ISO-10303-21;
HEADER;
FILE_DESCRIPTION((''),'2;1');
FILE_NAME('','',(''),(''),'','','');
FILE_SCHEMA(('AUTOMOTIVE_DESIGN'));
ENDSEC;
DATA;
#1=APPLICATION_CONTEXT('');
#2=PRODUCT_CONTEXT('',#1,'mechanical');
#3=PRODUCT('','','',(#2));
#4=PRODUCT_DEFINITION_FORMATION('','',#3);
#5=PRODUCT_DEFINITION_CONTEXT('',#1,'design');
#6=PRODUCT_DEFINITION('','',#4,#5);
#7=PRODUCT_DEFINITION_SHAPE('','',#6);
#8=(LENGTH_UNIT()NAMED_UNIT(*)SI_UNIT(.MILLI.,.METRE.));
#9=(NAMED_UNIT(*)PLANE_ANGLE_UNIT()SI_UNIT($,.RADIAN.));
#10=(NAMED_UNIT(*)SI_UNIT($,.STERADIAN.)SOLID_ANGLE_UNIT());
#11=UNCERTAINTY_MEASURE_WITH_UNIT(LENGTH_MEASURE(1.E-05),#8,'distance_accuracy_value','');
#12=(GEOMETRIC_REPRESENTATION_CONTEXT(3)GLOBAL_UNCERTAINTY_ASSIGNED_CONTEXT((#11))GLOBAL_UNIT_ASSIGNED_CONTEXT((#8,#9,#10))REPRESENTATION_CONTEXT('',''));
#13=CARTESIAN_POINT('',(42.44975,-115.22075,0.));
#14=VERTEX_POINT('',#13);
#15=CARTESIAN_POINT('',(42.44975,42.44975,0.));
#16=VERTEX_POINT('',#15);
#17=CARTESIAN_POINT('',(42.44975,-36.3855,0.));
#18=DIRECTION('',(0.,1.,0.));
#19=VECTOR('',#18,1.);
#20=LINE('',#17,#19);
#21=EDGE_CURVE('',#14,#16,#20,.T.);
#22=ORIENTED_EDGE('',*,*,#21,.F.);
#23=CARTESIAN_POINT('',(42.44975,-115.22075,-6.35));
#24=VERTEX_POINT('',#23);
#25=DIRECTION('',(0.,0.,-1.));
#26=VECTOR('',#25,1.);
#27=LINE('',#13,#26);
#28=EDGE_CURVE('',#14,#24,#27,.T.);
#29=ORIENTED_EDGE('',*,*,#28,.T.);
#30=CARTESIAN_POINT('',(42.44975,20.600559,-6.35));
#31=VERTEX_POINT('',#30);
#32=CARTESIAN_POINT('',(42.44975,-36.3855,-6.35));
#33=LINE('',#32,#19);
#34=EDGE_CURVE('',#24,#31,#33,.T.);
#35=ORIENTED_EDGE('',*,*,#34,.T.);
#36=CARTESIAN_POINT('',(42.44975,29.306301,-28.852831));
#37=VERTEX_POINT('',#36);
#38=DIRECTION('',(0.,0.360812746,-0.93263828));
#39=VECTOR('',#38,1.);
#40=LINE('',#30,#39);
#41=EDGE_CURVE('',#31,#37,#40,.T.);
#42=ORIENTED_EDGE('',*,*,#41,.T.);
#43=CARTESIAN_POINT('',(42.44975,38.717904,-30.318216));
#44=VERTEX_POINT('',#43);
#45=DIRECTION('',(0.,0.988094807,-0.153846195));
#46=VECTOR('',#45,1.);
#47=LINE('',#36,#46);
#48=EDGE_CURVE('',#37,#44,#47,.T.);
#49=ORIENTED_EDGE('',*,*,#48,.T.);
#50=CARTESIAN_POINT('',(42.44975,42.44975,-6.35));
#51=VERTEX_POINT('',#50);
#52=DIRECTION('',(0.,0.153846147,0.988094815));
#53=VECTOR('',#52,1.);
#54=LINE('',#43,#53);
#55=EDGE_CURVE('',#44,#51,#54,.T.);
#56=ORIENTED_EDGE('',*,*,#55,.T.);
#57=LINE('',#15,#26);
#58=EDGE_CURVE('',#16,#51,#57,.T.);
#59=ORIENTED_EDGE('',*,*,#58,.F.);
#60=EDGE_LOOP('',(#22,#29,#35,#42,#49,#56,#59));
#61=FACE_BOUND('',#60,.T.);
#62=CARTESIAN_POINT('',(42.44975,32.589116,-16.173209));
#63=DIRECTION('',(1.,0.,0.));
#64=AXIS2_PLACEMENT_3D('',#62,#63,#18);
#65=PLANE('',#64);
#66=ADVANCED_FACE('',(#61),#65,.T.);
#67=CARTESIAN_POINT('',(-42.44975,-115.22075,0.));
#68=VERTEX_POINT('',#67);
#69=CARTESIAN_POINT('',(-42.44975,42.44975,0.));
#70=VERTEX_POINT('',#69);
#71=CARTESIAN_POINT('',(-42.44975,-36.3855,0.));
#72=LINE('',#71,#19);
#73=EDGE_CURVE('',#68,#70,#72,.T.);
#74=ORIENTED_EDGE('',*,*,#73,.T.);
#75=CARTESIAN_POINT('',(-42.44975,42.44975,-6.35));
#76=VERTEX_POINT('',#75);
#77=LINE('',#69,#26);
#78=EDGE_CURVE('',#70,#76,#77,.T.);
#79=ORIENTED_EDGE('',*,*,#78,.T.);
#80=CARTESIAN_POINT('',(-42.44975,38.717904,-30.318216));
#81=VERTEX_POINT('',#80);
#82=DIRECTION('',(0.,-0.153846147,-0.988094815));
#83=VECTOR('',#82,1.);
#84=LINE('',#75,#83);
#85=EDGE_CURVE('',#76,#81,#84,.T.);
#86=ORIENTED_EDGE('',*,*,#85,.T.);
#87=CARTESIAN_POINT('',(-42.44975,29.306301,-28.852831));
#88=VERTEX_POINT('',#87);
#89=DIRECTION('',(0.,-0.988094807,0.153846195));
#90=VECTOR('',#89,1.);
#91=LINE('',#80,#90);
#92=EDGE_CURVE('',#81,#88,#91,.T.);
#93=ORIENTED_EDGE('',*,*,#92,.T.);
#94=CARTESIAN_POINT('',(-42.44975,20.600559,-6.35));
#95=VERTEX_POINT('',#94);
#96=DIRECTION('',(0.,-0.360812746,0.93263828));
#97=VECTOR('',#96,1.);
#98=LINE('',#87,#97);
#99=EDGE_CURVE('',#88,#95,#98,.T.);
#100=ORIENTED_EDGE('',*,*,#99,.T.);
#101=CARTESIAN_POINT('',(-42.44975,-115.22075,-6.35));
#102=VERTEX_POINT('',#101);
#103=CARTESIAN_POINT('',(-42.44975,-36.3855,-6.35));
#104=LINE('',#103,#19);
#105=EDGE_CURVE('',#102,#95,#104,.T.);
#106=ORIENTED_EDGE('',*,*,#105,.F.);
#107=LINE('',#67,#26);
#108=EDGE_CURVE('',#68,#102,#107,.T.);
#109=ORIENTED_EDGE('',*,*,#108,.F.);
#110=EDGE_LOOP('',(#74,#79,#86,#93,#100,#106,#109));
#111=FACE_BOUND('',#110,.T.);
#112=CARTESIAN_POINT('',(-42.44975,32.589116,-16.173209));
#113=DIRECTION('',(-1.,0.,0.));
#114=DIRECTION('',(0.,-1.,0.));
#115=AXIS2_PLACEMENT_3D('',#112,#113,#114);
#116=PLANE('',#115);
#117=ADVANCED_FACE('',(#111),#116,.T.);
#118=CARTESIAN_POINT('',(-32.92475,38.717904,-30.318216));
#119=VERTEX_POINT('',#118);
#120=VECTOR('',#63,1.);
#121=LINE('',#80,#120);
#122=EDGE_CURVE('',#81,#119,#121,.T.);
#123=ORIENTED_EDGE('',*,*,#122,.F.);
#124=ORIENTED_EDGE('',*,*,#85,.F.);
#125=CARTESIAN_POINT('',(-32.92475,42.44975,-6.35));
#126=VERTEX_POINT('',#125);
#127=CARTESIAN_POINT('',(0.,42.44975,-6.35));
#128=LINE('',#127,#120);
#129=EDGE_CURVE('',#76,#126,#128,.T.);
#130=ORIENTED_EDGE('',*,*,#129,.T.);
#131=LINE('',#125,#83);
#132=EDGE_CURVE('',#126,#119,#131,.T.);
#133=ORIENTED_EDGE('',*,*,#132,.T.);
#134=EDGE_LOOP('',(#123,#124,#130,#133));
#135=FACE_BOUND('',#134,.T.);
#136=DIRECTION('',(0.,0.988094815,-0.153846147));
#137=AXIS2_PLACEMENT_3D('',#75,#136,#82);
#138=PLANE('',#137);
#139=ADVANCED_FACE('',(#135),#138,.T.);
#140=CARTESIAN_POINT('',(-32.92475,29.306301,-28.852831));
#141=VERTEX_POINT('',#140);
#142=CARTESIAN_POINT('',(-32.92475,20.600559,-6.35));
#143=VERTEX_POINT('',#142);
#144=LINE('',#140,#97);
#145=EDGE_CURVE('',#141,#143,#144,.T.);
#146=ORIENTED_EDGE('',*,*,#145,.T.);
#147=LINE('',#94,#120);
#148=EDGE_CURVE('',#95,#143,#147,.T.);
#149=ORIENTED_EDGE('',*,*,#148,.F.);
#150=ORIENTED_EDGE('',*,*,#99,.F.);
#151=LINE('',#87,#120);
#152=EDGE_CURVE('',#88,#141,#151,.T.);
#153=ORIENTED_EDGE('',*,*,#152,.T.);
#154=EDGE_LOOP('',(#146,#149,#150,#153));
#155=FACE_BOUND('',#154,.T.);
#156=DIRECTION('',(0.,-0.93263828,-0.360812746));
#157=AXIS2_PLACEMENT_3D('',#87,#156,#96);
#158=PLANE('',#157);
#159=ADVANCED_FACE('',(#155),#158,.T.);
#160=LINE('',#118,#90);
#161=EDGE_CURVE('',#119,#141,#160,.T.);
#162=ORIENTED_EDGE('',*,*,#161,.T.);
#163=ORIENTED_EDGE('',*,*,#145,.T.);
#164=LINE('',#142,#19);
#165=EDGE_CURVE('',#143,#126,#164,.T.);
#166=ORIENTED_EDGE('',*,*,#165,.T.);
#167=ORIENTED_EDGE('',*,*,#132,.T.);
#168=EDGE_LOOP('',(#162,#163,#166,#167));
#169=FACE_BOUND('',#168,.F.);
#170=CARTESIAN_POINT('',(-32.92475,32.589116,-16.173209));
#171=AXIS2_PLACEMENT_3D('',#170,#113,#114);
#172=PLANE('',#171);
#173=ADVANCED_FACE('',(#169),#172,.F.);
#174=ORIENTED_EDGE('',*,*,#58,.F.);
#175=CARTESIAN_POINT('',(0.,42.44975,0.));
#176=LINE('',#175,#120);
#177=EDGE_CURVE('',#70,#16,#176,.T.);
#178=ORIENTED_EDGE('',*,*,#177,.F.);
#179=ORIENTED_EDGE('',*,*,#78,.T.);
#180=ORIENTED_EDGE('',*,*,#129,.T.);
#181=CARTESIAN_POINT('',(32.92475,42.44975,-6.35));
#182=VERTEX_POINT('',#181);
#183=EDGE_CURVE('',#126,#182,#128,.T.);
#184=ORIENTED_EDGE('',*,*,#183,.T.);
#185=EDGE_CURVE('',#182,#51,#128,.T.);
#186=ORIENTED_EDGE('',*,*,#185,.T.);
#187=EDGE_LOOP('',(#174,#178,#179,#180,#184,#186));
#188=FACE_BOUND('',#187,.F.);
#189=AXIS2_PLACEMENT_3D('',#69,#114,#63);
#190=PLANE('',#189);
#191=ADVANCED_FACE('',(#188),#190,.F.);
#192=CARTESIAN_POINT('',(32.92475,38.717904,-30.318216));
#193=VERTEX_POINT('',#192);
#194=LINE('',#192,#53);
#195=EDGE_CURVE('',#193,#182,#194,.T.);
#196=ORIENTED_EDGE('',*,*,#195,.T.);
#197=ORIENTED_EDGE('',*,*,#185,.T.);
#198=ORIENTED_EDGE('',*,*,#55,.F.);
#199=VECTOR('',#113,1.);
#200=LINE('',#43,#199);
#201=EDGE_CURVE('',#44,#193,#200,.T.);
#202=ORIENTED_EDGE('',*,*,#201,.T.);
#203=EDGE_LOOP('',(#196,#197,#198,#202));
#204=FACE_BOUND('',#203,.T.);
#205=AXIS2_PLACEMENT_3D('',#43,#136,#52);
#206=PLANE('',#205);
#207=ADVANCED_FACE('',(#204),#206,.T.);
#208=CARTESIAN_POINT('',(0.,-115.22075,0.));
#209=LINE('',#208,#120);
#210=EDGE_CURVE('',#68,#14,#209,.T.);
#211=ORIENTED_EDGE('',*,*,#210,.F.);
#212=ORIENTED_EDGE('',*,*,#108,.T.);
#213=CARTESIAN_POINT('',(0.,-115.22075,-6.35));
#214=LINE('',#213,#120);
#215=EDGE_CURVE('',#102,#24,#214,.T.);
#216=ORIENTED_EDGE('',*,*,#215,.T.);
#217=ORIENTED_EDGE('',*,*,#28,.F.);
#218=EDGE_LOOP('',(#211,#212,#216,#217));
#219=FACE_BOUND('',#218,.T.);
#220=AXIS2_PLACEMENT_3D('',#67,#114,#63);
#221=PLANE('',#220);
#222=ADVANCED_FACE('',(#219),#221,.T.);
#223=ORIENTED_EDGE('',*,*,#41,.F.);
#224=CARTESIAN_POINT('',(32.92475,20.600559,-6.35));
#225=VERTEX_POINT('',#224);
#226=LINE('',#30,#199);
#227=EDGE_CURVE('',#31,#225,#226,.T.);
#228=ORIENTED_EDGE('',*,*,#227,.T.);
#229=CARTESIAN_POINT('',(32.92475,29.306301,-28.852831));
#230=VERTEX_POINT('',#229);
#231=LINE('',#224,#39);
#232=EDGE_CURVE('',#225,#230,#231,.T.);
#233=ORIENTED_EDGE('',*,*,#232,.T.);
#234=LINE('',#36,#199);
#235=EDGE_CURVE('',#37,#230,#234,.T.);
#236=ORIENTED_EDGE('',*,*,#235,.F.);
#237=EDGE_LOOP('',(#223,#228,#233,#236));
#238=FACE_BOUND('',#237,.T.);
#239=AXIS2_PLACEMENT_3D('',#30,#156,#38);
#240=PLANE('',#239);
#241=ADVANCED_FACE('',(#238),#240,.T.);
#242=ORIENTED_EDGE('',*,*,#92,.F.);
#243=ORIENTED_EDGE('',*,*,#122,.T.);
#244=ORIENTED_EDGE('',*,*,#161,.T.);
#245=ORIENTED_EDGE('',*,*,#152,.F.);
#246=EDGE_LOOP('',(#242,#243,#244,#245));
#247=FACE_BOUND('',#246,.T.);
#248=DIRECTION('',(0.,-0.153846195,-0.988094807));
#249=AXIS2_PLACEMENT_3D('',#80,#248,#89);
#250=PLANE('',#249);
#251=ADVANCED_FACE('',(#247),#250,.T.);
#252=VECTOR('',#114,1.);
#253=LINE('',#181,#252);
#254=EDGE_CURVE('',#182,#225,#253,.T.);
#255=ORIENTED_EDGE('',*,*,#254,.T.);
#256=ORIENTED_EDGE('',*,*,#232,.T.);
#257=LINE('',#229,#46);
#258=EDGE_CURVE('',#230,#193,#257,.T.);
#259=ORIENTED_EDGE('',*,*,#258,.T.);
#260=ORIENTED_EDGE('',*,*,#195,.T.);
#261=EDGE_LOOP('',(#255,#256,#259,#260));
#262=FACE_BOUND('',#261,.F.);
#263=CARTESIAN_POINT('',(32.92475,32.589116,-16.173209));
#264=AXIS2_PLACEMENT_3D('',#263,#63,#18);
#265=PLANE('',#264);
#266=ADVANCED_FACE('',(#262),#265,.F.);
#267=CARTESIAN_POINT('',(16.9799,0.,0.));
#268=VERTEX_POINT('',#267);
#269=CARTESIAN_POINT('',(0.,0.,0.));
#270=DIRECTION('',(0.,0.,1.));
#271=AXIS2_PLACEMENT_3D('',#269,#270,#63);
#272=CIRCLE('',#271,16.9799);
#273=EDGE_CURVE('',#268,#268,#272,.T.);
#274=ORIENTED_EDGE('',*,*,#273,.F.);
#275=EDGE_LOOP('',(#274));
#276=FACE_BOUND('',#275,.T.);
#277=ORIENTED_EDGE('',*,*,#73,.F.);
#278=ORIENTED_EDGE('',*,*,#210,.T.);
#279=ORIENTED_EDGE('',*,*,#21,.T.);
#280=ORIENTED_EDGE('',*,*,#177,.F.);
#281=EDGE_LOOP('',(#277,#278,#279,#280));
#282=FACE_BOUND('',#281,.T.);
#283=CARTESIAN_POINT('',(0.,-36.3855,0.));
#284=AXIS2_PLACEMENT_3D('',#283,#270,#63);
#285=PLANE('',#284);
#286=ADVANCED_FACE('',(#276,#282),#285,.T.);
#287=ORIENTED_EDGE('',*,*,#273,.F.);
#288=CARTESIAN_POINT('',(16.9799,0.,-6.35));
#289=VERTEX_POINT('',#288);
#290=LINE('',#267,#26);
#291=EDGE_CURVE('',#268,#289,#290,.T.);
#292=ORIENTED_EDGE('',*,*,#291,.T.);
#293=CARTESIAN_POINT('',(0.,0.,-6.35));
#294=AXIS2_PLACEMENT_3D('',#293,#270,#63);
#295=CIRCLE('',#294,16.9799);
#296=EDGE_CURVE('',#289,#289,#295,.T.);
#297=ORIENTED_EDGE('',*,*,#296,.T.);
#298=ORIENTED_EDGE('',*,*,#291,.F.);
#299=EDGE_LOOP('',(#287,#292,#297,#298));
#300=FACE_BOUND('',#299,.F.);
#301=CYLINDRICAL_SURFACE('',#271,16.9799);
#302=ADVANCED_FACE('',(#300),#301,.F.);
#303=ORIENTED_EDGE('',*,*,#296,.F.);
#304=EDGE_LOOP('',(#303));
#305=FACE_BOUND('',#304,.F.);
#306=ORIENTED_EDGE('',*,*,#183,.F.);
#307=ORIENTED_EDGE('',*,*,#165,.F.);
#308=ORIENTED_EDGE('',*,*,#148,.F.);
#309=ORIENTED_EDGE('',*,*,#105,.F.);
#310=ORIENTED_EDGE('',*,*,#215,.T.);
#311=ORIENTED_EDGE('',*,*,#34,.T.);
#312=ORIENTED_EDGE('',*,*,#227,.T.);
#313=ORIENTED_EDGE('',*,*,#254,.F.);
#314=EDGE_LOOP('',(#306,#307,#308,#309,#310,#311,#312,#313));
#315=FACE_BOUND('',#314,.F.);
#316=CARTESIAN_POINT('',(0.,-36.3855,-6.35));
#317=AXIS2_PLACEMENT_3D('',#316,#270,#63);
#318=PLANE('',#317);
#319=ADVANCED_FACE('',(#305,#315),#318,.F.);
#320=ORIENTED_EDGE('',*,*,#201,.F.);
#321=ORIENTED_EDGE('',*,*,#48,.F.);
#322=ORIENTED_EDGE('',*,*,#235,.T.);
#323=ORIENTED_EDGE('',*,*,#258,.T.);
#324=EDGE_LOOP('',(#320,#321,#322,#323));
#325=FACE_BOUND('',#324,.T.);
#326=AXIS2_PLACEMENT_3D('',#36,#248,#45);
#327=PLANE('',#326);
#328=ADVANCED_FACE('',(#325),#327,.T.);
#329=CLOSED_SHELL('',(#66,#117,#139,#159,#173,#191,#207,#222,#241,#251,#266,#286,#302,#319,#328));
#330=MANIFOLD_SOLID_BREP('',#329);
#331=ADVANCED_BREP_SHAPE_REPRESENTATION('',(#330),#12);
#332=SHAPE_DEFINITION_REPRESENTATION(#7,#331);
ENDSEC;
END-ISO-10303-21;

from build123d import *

# Parameters (mm, degrees)
F0_W     = 84.8995
F0_H     = 157.6705
F0_R     = 16.9799
F1_DEPTH = 6.35
F3_DEPTH = 9.525
F5_DEPTH = 9.525


with BuildPart() as f1:
    # F0 (on Top) → F1 (new body)
    with BuildSketch(Plane.XY):
        with Locations((0, -36.3855)):
            Rectangle(F0_W, F0_H)
        Circle(F0_R, mode=Mode.SUBTRACT)
    extrude(amount=-F1_DEPTH)

    # F2 (on face) → F3 (join)
    with BuildSketch(Plane(origin=(-42.44975, 0, 0), x_dir=(0, -1, 0), z_dir=(-1, 0, 0))):
        Polygon((-20.600559, -6.35), (-42.44975, -6.35), (-38.717904, -30.318216), (-29.306301, -28.852831), align=None)
    extrude(amount=-F3_DEPTH)

    # F4 (on face) → F5 (join)
    with BuildSketch(Plane.YZ.offset(42.44975)):
        Polygon((38.717904, -30.318216), (42.44975, -6.35), (20.600559, -6.35), (29.306301, -28.852831), align=None)
    extrude(amount=-F5_DEPTH)


solid = f1.part
